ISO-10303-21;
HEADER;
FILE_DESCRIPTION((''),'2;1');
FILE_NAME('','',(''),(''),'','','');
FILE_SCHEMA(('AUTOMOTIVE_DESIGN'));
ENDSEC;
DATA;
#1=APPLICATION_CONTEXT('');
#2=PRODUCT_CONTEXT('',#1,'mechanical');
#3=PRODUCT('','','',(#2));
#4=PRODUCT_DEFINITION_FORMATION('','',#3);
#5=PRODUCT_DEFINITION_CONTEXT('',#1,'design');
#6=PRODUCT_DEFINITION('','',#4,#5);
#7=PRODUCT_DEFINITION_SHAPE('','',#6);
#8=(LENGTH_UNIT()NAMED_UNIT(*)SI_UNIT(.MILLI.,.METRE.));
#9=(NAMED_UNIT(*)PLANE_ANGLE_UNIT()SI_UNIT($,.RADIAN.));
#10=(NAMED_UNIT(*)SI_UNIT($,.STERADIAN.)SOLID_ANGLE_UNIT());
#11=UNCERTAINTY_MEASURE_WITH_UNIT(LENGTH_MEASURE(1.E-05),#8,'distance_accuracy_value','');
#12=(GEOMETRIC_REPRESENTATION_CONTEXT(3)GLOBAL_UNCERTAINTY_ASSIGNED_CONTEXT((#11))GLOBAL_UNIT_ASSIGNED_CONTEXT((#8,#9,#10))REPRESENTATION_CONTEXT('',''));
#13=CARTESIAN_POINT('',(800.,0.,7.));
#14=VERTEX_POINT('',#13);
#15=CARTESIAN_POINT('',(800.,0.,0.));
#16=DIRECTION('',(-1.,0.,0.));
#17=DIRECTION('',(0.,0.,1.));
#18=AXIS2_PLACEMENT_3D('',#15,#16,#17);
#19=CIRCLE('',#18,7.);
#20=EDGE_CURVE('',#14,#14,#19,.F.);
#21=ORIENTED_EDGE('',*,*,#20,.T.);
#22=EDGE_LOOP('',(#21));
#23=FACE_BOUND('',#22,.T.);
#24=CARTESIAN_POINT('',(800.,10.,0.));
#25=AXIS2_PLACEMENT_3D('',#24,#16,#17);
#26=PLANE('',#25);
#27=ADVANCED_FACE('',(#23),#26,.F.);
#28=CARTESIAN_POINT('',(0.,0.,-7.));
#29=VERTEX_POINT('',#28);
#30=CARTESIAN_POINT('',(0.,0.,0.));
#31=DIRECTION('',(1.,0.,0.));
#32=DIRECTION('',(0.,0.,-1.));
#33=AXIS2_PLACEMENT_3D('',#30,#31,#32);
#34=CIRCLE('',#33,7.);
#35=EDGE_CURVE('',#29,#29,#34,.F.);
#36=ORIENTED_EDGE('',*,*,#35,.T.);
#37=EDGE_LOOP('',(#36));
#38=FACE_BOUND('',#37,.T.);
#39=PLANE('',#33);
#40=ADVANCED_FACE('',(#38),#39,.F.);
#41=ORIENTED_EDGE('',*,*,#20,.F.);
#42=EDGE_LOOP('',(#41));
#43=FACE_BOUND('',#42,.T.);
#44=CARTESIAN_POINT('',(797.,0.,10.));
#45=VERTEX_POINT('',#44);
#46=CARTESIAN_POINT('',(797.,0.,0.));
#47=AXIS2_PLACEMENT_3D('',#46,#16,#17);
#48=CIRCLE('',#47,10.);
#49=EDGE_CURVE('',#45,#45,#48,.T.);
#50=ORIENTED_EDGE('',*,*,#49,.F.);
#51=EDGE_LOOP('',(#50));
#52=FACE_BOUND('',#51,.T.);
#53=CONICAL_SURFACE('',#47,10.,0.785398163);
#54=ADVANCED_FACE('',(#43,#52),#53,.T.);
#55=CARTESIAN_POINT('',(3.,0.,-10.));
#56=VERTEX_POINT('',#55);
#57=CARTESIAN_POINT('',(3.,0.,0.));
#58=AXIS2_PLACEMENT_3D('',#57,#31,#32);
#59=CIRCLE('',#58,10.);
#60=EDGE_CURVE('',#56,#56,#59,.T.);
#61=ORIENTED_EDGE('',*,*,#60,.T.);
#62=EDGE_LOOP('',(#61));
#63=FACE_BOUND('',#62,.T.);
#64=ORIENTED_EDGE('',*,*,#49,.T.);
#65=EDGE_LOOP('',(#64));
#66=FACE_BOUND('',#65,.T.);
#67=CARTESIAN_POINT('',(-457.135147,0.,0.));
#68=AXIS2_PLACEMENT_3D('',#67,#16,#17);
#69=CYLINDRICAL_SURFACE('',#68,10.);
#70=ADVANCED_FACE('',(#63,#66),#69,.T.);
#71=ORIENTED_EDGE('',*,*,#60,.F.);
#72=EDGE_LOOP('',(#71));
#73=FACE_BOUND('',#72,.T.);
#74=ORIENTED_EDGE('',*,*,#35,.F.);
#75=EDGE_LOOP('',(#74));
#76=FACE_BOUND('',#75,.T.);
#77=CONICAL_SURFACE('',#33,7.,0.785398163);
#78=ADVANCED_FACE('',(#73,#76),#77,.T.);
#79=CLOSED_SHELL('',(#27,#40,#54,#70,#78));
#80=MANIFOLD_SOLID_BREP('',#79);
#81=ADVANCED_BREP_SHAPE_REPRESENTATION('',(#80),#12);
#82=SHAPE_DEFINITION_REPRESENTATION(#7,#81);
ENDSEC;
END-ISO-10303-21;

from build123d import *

# Parameters (mm, degrees)
SKETCH1_W     = 800
SKETCH1_H     = 10
CHAMFER1_SIZE = 3


with BuildPart() as part:
    # Sketch1 → Revolve1 (revolve)
    with BuildSketch(Plane.XY):
        with Locations((400, 5)):
            Rectangle(SKETCH1_W, SKETCH1_H)
    revolve(axis=Axis((-457.135147174, 0, 0), (1, 0, 0)))

    # Chamfer1
    chamfer1_edges = [part.edges().sort_by_distance(p)[0] for p in [
        (800, -10, 0),
        (0, -10, 0),
    ]]
    chamfer(chamfer1_edges, length=CHAMFER1_SIZE)


solid = part.part
